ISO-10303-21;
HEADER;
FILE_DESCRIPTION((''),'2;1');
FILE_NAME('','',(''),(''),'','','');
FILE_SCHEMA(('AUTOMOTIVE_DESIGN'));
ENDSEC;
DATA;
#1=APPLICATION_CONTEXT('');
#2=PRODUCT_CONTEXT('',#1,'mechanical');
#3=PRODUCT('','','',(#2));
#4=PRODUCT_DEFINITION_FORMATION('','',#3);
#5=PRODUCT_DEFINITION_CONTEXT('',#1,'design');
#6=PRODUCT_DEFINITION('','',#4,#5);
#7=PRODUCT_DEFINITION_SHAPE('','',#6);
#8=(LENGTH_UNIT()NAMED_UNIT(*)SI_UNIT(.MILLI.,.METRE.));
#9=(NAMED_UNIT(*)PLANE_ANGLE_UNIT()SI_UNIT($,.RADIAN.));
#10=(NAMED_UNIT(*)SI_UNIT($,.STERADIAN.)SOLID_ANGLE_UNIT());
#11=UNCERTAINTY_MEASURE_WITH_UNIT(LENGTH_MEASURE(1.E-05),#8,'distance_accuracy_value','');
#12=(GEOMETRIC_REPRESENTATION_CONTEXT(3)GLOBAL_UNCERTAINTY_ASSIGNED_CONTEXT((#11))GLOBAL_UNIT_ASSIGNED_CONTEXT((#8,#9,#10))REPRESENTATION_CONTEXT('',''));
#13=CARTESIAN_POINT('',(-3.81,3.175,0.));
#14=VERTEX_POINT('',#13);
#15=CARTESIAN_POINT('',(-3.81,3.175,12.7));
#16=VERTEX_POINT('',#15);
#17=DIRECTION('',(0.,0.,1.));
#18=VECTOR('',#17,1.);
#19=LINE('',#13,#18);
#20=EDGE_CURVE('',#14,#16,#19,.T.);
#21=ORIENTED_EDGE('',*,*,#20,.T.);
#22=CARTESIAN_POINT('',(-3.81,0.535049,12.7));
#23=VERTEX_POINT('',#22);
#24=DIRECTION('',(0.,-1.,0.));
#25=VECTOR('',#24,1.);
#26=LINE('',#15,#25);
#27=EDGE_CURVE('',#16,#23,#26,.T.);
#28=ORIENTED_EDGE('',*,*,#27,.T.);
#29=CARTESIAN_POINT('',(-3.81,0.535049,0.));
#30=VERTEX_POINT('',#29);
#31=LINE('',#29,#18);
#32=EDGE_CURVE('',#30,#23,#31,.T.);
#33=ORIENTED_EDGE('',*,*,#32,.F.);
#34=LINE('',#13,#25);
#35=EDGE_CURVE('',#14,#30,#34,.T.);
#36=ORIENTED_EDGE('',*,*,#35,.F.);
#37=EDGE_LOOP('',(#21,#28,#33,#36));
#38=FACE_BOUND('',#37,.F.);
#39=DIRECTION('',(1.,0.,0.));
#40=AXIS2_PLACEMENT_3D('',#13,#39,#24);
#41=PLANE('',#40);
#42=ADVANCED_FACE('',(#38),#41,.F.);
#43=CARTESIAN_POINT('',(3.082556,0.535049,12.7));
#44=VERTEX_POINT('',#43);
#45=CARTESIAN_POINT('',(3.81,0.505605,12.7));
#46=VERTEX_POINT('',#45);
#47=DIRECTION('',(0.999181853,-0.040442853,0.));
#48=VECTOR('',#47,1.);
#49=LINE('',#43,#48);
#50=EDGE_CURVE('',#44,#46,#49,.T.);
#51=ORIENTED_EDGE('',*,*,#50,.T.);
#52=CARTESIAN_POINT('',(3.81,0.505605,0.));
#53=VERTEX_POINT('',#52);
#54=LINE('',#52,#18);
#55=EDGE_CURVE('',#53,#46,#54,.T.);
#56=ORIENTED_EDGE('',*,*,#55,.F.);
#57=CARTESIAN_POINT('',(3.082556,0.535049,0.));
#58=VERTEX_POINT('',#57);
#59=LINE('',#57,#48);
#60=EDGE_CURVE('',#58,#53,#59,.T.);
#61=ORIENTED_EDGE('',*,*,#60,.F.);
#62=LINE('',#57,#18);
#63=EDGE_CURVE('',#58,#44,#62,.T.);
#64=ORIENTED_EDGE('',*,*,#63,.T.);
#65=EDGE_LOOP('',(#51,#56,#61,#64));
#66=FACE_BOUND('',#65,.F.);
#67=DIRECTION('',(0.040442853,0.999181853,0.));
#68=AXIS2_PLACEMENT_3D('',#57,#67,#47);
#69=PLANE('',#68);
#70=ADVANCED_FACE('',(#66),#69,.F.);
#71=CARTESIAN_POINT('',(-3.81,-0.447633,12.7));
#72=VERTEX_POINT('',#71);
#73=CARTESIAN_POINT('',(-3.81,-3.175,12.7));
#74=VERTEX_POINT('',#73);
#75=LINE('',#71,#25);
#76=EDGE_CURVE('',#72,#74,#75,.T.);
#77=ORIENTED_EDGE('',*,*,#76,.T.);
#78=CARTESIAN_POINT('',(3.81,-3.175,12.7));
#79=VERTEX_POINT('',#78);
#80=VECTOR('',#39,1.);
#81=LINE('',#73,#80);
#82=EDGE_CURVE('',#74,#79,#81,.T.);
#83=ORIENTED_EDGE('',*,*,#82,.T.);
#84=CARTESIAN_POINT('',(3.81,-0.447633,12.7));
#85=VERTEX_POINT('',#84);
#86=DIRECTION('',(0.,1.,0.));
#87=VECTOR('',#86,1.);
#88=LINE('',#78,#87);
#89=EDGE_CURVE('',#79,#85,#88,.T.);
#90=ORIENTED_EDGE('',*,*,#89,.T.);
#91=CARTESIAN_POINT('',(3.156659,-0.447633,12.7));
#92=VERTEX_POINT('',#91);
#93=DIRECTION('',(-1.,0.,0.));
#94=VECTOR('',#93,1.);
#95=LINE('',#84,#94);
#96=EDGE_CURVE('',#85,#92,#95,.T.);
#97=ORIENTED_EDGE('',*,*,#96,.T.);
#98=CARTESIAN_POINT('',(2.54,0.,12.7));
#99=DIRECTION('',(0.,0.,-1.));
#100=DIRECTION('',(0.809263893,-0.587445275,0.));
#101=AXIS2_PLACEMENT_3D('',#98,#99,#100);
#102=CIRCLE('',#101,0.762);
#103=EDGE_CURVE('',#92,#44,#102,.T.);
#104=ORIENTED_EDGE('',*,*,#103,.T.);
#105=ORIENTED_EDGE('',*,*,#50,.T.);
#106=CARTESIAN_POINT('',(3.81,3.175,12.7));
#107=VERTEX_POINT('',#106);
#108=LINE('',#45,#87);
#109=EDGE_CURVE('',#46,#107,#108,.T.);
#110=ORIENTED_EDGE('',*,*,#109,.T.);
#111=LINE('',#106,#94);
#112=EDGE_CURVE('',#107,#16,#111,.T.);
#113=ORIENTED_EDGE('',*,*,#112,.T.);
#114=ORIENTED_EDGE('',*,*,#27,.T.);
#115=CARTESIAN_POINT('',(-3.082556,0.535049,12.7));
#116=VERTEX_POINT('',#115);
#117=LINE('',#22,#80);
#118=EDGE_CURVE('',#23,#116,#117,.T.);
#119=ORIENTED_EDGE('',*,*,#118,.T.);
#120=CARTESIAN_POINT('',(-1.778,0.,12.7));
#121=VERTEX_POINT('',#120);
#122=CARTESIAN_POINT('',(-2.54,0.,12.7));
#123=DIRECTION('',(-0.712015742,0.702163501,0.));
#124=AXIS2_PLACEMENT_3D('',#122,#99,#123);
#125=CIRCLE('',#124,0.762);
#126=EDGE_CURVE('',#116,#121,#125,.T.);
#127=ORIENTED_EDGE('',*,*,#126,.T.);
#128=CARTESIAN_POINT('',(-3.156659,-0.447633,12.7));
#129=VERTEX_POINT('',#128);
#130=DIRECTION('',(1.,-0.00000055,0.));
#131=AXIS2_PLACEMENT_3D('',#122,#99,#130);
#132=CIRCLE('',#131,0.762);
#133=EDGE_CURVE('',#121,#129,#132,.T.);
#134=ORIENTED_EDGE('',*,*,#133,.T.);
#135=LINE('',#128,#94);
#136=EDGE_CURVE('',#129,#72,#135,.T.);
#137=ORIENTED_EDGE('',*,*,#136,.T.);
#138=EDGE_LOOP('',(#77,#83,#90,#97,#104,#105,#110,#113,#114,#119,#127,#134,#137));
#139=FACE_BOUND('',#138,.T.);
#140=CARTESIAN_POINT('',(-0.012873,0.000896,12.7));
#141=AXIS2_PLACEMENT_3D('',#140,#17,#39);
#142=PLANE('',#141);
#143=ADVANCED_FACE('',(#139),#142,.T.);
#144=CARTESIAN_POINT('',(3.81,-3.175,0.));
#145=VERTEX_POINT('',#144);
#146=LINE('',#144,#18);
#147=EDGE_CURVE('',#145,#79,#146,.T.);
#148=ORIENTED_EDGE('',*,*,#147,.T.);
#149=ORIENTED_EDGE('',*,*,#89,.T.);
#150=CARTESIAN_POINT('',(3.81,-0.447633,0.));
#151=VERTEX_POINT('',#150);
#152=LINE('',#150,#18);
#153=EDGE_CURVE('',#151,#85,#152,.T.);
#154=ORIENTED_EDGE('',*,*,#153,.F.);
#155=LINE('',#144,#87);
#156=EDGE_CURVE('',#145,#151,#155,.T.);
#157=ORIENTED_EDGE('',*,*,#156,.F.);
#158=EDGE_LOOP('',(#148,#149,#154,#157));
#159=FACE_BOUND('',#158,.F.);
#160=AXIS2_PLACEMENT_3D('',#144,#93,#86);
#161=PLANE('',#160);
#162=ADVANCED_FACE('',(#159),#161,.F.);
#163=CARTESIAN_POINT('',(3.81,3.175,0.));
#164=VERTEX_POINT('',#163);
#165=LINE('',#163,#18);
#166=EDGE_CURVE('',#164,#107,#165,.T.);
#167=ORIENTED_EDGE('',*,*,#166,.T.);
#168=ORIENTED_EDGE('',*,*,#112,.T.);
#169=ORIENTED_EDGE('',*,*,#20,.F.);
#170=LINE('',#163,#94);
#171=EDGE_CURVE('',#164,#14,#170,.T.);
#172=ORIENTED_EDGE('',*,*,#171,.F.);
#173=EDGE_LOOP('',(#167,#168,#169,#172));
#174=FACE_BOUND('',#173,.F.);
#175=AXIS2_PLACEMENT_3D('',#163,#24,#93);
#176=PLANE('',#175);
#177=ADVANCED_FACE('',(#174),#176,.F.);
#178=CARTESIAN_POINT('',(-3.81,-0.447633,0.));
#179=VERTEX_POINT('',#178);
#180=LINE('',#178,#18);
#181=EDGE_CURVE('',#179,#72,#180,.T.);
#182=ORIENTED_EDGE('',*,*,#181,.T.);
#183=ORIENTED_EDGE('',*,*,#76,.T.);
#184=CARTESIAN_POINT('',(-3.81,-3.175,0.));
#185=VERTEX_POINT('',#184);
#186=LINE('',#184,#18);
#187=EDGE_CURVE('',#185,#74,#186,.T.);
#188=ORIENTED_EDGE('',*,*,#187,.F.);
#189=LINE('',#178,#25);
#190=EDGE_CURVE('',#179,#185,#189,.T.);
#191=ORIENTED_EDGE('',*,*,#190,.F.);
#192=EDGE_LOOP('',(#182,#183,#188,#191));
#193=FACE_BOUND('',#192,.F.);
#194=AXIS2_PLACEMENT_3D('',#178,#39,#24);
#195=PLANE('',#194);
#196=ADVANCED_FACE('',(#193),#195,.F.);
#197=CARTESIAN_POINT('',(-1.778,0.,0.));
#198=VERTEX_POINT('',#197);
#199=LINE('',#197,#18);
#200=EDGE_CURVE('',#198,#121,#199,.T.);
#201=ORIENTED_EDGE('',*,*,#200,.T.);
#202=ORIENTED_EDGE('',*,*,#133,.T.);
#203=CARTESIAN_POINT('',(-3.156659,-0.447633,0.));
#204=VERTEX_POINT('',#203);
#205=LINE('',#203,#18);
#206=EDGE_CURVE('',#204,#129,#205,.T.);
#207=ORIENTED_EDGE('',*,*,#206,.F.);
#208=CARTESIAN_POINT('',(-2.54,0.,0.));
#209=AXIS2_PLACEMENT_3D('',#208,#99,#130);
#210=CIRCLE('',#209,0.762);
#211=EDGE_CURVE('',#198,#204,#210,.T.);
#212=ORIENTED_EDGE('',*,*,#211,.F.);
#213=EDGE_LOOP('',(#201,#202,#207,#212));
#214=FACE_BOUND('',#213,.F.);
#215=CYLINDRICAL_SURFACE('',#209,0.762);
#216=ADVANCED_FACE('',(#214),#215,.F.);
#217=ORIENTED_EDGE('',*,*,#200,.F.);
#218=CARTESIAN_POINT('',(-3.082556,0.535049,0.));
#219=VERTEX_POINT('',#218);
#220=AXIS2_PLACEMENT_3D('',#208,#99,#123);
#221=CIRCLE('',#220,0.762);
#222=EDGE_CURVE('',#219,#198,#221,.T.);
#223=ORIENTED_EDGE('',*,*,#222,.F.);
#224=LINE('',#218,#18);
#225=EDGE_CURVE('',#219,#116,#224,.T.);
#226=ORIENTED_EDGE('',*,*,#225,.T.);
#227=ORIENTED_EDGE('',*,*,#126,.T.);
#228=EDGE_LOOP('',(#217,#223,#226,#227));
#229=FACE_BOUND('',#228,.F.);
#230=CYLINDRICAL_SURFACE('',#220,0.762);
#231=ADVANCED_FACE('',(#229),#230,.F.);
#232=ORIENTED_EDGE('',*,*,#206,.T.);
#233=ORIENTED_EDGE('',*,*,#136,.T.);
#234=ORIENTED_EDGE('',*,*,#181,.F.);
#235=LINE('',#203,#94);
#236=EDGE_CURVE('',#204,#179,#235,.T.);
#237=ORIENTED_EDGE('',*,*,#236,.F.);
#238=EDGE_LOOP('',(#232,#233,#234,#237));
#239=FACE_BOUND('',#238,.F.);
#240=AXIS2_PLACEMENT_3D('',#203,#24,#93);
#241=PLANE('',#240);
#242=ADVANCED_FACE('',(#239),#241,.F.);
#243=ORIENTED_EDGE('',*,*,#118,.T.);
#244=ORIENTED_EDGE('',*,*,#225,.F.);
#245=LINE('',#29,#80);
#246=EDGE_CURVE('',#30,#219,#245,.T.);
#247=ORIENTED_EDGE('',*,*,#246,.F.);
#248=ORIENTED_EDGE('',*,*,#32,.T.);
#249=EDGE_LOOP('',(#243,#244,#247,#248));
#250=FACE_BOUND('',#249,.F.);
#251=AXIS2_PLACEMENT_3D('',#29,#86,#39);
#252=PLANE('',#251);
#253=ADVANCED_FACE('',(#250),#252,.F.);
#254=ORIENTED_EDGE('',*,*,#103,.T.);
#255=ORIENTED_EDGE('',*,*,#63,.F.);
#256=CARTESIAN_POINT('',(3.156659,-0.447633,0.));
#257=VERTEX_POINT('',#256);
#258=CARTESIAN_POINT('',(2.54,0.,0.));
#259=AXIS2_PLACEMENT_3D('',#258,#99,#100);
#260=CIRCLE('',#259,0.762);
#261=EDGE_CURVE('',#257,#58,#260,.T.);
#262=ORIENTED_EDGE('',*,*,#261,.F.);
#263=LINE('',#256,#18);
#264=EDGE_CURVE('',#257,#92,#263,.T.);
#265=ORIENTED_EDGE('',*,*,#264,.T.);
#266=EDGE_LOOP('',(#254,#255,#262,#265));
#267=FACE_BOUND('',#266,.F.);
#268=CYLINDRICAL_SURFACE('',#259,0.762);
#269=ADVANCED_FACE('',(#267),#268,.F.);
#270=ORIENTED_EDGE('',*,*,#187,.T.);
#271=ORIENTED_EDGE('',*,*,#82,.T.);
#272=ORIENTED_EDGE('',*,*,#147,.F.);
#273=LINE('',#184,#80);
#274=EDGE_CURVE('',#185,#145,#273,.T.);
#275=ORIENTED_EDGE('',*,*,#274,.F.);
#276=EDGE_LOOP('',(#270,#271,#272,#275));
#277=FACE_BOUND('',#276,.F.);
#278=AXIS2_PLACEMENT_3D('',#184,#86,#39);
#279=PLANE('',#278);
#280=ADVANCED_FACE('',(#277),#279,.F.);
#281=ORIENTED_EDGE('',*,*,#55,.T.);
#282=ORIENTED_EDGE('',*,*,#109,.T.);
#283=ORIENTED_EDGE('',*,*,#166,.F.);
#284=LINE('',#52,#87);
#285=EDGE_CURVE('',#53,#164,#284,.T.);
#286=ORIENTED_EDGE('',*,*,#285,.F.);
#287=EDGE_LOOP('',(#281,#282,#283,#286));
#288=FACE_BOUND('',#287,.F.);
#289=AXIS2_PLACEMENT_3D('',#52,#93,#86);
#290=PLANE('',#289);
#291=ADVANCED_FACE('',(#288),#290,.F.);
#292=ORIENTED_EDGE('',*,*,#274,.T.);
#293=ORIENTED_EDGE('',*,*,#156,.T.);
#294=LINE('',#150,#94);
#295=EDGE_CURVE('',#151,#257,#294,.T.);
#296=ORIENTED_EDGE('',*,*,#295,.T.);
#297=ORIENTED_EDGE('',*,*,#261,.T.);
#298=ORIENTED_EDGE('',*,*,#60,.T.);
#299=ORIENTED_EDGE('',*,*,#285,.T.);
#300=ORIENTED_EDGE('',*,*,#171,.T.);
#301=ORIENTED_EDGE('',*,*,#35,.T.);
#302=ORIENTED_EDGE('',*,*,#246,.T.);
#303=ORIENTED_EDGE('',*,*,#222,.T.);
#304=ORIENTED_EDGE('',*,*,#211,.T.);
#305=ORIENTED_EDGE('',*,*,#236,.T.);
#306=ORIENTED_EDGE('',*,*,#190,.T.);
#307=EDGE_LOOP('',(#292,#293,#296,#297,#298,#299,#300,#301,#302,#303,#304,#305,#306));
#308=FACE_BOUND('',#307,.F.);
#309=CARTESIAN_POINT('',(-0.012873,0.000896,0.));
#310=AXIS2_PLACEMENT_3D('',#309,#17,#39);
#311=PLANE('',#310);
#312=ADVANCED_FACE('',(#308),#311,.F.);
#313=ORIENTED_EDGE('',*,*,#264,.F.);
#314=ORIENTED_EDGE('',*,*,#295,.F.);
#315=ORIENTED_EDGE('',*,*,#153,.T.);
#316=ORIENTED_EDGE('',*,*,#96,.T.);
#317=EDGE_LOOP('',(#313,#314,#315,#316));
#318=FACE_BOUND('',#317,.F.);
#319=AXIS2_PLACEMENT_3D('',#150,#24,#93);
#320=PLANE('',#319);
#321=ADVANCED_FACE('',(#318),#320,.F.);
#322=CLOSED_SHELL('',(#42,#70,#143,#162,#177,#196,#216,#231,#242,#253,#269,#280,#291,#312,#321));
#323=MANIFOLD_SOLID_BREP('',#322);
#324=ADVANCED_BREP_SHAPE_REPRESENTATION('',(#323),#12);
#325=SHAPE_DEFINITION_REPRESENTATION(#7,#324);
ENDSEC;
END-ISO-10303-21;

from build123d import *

# Parameters (mm, degrees)
F1_DEPTH = 12.7


with BuildPart() as f1:
    # F0 (on Top) → F1 (new body)
    with BuildSketch(Plane.XY):
        with BuildLine():
            Line((-3.81, -0.447633), (-3.81, -3.175))
            Line((-3.81, -3.175), (3.81, -3.175))
            Line((3.81, -3.175), (3.81, -0.447633))
            Line((3.81, -0.447633), (3.156659, -0.447633))
            ThreePointArc((3.156659, -0.447633), (1.780157, -0.057299), (3.082556, 0.535049))
            Line((3.082556, 0.535049), (3.81, 0.505605))
            Line((3.81, 0.505605), (3.81, 3.175))
            Line((3.81, 3.175), (-3.81, 3.175))
            Line((-3.81, 3.175), (-3.81, 0.535049))
            Line((-3.81, 0.535049), (-3.082556, 0.535049))
            ThreePointArc((-3.082556, 0.535049), (-2.250849, 0.705008), (-1.778, 0))
            ThreePointArc((-1.778, 0), (-2.304681, -0.724754), (-3.156659, -0.447633))
            Line((-3.156659, -0.447633), (-3.81, -0.447633))
        make_face()
    extrude(amount=F1_DEPTH)


solid = f1.part
